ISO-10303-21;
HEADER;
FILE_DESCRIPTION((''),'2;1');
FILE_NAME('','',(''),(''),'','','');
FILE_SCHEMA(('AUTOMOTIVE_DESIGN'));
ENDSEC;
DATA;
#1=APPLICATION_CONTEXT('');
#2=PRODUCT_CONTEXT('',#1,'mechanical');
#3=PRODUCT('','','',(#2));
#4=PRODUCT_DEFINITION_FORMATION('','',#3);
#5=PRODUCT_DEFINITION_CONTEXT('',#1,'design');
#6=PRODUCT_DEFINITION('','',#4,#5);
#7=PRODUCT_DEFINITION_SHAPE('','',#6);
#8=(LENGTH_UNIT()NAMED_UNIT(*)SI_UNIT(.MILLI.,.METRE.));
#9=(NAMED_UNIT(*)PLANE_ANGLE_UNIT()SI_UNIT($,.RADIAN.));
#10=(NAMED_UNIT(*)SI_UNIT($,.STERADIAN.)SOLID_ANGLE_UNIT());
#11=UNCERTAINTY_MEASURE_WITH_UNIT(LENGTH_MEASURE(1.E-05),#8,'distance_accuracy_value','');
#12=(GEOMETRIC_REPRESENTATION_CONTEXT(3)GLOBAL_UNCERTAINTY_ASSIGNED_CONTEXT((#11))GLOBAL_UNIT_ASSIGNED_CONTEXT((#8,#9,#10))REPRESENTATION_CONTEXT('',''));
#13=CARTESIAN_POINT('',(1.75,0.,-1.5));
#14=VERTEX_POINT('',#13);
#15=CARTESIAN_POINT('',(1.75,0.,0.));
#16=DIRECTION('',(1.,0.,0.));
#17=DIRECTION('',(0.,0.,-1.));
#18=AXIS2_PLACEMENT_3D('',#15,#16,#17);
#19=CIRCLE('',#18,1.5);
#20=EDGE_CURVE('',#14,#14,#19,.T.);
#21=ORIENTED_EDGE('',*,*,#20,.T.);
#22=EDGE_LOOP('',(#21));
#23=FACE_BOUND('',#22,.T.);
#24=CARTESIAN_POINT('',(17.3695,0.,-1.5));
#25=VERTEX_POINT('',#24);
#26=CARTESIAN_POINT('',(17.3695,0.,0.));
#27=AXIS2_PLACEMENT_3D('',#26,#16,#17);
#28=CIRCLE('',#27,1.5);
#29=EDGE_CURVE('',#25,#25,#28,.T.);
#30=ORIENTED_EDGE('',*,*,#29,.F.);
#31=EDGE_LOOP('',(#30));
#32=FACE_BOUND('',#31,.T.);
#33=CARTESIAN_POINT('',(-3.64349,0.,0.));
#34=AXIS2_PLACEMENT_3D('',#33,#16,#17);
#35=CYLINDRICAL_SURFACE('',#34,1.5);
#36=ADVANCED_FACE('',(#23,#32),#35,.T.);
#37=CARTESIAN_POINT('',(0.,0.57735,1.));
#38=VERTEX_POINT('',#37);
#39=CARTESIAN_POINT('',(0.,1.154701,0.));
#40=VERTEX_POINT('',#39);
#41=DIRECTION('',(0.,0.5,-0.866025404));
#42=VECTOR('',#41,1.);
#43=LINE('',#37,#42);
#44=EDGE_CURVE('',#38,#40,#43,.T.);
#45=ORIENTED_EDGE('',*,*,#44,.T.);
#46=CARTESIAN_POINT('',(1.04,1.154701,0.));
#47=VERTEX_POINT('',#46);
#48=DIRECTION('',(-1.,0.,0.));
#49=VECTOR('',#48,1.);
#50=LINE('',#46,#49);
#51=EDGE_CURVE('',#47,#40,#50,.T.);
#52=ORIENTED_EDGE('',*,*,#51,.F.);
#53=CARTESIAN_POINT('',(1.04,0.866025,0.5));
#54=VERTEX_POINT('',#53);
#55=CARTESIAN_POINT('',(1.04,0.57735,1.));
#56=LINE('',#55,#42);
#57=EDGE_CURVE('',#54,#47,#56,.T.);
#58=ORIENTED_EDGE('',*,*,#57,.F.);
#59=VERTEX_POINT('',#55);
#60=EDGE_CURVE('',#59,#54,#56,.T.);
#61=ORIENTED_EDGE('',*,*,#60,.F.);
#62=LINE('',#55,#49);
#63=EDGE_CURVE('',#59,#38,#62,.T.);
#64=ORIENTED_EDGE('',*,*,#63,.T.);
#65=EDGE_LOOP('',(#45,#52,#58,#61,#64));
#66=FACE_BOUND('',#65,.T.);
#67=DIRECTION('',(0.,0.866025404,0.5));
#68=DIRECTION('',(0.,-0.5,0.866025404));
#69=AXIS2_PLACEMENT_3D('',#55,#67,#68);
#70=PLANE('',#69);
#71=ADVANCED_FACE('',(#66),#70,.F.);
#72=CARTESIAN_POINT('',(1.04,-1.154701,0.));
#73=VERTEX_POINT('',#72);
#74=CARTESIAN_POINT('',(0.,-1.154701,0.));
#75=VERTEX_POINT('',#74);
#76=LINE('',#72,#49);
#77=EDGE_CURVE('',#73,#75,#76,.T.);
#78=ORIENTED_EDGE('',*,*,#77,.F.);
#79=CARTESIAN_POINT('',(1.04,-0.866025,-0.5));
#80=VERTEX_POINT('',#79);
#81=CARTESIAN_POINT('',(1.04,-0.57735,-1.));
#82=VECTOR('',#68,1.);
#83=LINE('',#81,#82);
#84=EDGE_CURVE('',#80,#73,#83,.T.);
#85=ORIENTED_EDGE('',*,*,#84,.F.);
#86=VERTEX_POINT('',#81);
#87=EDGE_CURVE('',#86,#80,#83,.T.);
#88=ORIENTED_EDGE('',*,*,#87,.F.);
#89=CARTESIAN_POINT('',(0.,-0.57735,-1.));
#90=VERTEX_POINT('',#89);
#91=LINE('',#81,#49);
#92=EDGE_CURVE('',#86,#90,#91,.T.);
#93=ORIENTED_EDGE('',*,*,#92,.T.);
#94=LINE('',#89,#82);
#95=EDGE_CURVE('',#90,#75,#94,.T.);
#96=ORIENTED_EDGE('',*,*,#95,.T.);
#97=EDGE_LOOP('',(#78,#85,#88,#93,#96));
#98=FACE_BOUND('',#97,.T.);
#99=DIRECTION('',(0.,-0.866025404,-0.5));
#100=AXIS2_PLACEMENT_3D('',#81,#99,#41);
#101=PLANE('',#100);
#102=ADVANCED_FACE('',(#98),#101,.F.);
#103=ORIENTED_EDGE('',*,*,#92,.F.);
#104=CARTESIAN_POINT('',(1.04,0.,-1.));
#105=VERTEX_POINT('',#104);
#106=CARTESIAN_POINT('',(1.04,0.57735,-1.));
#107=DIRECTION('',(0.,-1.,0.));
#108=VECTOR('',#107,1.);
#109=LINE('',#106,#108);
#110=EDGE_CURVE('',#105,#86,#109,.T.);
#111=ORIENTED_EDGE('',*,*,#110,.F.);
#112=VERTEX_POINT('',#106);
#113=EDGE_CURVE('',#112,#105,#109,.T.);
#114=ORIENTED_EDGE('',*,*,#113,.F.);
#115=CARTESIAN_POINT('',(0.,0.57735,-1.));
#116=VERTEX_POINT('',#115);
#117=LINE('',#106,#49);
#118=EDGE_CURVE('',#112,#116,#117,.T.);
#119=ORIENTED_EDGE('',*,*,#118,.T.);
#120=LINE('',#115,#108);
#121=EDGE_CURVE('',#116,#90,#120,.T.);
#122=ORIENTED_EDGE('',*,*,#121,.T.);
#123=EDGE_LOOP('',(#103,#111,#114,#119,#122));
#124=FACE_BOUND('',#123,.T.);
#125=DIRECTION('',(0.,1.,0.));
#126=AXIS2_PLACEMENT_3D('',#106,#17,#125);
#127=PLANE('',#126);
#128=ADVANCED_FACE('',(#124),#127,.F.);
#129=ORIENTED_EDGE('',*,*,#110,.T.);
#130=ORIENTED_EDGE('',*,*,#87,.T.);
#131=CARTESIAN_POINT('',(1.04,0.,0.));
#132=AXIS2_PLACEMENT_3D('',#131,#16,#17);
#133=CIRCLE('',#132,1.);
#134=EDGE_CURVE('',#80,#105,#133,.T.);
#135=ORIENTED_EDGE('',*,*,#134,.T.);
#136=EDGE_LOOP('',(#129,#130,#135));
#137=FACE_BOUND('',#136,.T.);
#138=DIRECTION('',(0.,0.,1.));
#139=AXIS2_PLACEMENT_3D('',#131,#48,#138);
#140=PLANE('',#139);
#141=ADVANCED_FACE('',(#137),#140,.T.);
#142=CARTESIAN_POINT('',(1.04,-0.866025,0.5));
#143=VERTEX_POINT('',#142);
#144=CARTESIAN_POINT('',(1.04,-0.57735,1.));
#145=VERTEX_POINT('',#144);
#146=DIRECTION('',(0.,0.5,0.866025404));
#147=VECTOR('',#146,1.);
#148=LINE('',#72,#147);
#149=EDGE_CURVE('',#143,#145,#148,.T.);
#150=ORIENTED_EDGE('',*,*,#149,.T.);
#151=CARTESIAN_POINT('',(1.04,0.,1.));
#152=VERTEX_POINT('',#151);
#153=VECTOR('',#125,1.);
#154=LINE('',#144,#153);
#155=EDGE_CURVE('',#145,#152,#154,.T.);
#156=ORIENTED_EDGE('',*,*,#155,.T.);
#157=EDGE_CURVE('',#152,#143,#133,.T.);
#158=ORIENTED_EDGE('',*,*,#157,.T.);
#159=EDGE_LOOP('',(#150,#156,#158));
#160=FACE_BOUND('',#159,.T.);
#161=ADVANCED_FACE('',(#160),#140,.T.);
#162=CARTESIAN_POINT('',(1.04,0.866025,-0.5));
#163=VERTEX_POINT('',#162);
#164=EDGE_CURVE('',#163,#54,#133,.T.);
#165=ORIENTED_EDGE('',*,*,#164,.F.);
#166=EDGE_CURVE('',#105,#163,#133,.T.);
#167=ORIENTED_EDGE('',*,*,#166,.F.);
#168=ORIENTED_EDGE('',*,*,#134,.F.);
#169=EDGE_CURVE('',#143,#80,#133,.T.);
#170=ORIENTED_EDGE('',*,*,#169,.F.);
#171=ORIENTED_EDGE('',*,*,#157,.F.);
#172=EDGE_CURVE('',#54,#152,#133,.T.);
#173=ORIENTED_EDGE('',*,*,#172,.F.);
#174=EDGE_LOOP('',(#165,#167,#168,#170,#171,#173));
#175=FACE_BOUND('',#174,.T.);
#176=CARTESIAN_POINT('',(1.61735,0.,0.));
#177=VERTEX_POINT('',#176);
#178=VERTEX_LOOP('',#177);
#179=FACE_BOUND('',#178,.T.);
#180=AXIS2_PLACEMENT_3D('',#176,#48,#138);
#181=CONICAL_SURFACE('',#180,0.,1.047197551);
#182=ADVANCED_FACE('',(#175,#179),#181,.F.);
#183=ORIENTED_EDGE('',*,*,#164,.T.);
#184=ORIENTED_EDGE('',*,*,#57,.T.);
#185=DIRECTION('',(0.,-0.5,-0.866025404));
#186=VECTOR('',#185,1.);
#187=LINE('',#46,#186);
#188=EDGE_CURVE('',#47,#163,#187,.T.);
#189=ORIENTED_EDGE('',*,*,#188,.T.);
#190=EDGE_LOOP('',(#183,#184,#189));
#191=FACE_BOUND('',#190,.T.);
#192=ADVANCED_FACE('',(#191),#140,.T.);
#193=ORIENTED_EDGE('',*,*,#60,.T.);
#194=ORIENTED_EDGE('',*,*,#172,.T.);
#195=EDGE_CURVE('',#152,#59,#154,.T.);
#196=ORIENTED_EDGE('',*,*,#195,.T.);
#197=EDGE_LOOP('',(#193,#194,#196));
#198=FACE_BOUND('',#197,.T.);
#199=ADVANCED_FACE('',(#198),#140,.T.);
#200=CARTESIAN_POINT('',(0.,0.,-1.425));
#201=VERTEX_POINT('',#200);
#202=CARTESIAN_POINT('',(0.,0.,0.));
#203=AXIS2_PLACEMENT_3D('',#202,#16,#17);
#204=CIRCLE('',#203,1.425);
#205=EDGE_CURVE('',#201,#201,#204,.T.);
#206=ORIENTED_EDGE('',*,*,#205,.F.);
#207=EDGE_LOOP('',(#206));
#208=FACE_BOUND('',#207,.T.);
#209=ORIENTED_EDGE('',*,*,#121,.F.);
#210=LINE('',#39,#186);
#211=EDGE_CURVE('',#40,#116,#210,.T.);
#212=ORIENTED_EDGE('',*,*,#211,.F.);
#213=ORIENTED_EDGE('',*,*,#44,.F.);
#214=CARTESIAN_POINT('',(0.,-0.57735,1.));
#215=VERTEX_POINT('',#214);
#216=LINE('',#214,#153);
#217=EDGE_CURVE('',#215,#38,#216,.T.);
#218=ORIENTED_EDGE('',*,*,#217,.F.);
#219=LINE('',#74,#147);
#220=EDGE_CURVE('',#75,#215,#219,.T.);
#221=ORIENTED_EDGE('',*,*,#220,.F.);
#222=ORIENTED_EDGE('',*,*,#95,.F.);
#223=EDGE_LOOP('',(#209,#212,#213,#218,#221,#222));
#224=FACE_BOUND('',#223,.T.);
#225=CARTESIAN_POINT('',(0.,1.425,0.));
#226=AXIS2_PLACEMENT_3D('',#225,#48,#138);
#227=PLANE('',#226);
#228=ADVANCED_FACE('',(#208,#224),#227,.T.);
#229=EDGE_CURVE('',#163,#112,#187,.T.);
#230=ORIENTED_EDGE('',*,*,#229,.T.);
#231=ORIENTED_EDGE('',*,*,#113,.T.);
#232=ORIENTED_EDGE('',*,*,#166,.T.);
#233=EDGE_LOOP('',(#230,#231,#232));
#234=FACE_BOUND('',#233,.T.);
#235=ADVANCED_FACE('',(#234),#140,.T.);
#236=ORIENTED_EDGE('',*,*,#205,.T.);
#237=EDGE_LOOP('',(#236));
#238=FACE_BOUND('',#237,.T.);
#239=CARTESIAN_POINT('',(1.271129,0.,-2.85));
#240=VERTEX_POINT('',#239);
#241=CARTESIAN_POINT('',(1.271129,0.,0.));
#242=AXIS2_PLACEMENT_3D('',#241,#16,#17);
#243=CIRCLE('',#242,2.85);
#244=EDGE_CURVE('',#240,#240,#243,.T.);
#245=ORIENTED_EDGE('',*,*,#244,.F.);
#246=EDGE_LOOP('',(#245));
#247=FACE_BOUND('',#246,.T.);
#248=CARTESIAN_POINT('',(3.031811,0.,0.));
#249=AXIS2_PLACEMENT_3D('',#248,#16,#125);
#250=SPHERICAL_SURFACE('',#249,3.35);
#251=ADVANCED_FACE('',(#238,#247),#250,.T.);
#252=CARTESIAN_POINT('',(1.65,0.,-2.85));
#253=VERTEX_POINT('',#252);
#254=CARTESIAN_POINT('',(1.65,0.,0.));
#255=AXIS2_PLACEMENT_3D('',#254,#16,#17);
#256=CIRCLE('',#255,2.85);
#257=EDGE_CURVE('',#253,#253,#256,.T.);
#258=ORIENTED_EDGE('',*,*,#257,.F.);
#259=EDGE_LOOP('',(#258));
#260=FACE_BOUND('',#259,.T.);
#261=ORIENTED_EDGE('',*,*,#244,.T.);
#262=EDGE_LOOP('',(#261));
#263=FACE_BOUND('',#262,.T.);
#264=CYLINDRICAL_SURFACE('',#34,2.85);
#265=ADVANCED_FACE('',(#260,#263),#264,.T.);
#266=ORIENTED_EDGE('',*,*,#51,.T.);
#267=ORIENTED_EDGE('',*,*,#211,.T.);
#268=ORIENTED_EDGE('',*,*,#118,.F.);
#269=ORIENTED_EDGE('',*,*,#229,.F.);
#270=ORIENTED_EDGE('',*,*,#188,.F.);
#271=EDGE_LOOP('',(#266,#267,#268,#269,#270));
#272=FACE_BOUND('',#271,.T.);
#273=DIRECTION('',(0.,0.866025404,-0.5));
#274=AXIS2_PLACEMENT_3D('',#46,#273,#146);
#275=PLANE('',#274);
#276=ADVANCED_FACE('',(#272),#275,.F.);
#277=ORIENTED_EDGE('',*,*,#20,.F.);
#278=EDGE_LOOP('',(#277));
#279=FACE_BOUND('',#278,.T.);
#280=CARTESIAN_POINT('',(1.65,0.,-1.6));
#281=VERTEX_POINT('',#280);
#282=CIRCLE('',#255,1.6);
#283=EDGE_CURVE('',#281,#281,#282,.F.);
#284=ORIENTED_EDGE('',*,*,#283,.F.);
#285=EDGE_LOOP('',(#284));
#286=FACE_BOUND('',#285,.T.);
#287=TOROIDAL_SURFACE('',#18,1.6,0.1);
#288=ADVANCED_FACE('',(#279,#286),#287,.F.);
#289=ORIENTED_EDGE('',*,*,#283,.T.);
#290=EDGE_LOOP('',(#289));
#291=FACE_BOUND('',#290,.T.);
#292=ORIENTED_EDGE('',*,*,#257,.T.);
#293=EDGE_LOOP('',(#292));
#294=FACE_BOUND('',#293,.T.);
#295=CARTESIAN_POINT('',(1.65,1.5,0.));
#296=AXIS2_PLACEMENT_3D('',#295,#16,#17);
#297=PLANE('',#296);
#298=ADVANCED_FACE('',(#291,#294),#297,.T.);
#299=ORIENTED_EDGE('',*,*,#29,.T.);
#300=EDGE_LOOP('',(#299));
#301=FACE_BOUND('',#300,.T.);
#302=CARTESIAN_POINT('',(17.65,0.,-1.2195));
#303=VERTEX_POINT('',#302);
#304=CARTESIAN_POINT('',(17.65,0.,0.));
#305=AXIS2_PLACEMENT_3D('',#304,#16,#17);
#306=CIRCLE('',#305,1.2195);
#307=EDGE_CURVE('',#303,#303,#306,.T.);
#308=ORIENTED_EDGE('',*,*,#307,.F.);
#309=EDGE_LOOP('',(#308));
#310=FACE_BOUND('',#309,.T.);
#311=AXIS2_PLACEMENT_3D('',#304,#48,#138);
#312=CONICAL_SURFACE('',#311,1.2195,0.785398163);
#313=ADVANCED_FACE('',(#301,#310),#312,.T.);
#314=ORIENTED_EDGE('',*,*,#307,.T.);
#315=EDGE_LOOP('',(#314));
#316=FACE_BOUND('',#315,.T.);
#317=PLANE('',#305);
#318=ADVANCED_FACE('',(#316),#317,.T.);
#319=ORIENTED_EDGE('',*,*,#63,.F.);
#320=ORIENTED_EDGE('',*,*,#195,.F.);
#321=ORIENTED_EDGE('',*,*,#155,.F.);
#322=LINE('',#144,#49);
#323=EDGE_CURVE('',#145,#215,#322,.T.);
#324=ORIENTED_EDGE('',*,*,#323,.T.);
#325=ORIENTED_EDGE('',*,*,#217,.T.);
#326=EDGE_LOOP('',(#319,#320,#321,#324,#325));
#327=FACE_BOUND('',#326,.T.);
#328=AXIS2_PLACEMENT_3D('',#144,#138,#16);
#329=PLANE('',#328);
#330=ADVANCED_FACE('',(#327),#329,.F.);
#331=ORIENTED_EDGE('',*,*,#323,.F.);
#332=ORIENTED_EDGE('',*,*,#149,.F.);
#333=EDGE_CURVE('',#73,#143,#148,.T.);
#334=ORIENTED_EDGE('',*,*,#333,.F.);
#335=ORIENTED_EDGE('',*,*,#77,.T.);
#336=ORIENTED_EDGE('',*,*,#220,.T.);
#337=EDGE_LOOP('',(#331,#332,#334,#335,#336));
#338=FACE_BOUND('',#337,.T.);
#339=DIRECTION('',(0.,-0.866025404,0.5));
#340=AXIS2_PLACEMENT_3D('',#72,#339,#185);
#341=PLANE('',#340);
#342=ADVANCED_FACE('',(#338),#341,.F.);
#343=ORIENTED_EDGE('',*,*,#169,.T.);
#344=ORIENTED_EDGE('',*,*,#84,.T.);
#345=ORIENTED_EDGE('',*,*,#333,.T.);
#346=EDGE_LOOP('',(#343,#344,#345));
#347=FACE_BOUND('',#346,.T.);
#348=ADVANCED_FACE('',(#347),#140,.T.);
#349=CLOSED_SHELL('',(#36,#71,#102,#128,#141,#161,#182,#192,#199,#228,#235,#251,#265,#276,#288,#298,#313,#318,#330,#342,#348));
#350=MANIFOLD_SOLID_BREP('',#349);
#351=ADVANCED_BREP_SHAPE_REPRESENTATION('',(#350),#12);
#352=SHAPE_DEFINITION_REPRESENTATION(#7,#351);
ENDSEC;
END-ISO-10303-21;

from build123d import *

# Parameters (mm, degrees)
FILLET_1_R  = 0.1
HEX_2_DEPTH = 1.04


with BuildPart() as part:
    # Эскиз1 → Body (revolve)
    with BuildSketch(Plane.XY):
        with BuildLine():
            Line((0, 1.425), (0, 0))
            Line((0, 0), (17.65, 0))
            Line((17.65, 0), (17.65, 1.2195))
            Line((17.65, 1.2195), (17.3695, 1.5))
            Line((17.3695, 1.5), (1.65, 1.5))
            Line((1.65, 1.5), (1.65, 2.85))
            Line((1.65, 2.85), (1.271128829, 2.85))
            ThreePointArc((1.271128829, 2.85), (0.531880191, 2.229988425), (0, 1.425))
        make_face()
    revolve(axis=Axis((-3.643489966, 0, 0), (-1, 0, 0)))

    # Скругление1
    fillet_1_edges = [part.edges().sort_by_distance(p)[0] for p in [
        (1.65, -1.5, 0),
    ]]
    fillet(fillet_1_edges, radius=FILLET_1_R)

    # Эскиз2 → Вырез-Повернуть1 (revolve, cut)
    with BuildSketch(Plane.XY):
        Polygon((0, 0), (0, 1), (1.04, 1), (1.617350269, 0), align=None)
    revolve(axis=Axis((1.617350269, 0, 0), (-1, 0, 0)), mode=Mode.SUBTRACT)

    # Эскиз3 → Hex 2 (cut)
    with BuildSketch(Plane.ZY):
        Polygon((-1, -0.577350269), (0, -1.154700538), (1, -0.577350269), (1, 0.577350269), (0, 1.154700538), (-1, 0.577350269), align=None)
    extrude(amount=-HEX_2_DEPTH, mode=Mode.SUBTRACT)


solid = part.part
